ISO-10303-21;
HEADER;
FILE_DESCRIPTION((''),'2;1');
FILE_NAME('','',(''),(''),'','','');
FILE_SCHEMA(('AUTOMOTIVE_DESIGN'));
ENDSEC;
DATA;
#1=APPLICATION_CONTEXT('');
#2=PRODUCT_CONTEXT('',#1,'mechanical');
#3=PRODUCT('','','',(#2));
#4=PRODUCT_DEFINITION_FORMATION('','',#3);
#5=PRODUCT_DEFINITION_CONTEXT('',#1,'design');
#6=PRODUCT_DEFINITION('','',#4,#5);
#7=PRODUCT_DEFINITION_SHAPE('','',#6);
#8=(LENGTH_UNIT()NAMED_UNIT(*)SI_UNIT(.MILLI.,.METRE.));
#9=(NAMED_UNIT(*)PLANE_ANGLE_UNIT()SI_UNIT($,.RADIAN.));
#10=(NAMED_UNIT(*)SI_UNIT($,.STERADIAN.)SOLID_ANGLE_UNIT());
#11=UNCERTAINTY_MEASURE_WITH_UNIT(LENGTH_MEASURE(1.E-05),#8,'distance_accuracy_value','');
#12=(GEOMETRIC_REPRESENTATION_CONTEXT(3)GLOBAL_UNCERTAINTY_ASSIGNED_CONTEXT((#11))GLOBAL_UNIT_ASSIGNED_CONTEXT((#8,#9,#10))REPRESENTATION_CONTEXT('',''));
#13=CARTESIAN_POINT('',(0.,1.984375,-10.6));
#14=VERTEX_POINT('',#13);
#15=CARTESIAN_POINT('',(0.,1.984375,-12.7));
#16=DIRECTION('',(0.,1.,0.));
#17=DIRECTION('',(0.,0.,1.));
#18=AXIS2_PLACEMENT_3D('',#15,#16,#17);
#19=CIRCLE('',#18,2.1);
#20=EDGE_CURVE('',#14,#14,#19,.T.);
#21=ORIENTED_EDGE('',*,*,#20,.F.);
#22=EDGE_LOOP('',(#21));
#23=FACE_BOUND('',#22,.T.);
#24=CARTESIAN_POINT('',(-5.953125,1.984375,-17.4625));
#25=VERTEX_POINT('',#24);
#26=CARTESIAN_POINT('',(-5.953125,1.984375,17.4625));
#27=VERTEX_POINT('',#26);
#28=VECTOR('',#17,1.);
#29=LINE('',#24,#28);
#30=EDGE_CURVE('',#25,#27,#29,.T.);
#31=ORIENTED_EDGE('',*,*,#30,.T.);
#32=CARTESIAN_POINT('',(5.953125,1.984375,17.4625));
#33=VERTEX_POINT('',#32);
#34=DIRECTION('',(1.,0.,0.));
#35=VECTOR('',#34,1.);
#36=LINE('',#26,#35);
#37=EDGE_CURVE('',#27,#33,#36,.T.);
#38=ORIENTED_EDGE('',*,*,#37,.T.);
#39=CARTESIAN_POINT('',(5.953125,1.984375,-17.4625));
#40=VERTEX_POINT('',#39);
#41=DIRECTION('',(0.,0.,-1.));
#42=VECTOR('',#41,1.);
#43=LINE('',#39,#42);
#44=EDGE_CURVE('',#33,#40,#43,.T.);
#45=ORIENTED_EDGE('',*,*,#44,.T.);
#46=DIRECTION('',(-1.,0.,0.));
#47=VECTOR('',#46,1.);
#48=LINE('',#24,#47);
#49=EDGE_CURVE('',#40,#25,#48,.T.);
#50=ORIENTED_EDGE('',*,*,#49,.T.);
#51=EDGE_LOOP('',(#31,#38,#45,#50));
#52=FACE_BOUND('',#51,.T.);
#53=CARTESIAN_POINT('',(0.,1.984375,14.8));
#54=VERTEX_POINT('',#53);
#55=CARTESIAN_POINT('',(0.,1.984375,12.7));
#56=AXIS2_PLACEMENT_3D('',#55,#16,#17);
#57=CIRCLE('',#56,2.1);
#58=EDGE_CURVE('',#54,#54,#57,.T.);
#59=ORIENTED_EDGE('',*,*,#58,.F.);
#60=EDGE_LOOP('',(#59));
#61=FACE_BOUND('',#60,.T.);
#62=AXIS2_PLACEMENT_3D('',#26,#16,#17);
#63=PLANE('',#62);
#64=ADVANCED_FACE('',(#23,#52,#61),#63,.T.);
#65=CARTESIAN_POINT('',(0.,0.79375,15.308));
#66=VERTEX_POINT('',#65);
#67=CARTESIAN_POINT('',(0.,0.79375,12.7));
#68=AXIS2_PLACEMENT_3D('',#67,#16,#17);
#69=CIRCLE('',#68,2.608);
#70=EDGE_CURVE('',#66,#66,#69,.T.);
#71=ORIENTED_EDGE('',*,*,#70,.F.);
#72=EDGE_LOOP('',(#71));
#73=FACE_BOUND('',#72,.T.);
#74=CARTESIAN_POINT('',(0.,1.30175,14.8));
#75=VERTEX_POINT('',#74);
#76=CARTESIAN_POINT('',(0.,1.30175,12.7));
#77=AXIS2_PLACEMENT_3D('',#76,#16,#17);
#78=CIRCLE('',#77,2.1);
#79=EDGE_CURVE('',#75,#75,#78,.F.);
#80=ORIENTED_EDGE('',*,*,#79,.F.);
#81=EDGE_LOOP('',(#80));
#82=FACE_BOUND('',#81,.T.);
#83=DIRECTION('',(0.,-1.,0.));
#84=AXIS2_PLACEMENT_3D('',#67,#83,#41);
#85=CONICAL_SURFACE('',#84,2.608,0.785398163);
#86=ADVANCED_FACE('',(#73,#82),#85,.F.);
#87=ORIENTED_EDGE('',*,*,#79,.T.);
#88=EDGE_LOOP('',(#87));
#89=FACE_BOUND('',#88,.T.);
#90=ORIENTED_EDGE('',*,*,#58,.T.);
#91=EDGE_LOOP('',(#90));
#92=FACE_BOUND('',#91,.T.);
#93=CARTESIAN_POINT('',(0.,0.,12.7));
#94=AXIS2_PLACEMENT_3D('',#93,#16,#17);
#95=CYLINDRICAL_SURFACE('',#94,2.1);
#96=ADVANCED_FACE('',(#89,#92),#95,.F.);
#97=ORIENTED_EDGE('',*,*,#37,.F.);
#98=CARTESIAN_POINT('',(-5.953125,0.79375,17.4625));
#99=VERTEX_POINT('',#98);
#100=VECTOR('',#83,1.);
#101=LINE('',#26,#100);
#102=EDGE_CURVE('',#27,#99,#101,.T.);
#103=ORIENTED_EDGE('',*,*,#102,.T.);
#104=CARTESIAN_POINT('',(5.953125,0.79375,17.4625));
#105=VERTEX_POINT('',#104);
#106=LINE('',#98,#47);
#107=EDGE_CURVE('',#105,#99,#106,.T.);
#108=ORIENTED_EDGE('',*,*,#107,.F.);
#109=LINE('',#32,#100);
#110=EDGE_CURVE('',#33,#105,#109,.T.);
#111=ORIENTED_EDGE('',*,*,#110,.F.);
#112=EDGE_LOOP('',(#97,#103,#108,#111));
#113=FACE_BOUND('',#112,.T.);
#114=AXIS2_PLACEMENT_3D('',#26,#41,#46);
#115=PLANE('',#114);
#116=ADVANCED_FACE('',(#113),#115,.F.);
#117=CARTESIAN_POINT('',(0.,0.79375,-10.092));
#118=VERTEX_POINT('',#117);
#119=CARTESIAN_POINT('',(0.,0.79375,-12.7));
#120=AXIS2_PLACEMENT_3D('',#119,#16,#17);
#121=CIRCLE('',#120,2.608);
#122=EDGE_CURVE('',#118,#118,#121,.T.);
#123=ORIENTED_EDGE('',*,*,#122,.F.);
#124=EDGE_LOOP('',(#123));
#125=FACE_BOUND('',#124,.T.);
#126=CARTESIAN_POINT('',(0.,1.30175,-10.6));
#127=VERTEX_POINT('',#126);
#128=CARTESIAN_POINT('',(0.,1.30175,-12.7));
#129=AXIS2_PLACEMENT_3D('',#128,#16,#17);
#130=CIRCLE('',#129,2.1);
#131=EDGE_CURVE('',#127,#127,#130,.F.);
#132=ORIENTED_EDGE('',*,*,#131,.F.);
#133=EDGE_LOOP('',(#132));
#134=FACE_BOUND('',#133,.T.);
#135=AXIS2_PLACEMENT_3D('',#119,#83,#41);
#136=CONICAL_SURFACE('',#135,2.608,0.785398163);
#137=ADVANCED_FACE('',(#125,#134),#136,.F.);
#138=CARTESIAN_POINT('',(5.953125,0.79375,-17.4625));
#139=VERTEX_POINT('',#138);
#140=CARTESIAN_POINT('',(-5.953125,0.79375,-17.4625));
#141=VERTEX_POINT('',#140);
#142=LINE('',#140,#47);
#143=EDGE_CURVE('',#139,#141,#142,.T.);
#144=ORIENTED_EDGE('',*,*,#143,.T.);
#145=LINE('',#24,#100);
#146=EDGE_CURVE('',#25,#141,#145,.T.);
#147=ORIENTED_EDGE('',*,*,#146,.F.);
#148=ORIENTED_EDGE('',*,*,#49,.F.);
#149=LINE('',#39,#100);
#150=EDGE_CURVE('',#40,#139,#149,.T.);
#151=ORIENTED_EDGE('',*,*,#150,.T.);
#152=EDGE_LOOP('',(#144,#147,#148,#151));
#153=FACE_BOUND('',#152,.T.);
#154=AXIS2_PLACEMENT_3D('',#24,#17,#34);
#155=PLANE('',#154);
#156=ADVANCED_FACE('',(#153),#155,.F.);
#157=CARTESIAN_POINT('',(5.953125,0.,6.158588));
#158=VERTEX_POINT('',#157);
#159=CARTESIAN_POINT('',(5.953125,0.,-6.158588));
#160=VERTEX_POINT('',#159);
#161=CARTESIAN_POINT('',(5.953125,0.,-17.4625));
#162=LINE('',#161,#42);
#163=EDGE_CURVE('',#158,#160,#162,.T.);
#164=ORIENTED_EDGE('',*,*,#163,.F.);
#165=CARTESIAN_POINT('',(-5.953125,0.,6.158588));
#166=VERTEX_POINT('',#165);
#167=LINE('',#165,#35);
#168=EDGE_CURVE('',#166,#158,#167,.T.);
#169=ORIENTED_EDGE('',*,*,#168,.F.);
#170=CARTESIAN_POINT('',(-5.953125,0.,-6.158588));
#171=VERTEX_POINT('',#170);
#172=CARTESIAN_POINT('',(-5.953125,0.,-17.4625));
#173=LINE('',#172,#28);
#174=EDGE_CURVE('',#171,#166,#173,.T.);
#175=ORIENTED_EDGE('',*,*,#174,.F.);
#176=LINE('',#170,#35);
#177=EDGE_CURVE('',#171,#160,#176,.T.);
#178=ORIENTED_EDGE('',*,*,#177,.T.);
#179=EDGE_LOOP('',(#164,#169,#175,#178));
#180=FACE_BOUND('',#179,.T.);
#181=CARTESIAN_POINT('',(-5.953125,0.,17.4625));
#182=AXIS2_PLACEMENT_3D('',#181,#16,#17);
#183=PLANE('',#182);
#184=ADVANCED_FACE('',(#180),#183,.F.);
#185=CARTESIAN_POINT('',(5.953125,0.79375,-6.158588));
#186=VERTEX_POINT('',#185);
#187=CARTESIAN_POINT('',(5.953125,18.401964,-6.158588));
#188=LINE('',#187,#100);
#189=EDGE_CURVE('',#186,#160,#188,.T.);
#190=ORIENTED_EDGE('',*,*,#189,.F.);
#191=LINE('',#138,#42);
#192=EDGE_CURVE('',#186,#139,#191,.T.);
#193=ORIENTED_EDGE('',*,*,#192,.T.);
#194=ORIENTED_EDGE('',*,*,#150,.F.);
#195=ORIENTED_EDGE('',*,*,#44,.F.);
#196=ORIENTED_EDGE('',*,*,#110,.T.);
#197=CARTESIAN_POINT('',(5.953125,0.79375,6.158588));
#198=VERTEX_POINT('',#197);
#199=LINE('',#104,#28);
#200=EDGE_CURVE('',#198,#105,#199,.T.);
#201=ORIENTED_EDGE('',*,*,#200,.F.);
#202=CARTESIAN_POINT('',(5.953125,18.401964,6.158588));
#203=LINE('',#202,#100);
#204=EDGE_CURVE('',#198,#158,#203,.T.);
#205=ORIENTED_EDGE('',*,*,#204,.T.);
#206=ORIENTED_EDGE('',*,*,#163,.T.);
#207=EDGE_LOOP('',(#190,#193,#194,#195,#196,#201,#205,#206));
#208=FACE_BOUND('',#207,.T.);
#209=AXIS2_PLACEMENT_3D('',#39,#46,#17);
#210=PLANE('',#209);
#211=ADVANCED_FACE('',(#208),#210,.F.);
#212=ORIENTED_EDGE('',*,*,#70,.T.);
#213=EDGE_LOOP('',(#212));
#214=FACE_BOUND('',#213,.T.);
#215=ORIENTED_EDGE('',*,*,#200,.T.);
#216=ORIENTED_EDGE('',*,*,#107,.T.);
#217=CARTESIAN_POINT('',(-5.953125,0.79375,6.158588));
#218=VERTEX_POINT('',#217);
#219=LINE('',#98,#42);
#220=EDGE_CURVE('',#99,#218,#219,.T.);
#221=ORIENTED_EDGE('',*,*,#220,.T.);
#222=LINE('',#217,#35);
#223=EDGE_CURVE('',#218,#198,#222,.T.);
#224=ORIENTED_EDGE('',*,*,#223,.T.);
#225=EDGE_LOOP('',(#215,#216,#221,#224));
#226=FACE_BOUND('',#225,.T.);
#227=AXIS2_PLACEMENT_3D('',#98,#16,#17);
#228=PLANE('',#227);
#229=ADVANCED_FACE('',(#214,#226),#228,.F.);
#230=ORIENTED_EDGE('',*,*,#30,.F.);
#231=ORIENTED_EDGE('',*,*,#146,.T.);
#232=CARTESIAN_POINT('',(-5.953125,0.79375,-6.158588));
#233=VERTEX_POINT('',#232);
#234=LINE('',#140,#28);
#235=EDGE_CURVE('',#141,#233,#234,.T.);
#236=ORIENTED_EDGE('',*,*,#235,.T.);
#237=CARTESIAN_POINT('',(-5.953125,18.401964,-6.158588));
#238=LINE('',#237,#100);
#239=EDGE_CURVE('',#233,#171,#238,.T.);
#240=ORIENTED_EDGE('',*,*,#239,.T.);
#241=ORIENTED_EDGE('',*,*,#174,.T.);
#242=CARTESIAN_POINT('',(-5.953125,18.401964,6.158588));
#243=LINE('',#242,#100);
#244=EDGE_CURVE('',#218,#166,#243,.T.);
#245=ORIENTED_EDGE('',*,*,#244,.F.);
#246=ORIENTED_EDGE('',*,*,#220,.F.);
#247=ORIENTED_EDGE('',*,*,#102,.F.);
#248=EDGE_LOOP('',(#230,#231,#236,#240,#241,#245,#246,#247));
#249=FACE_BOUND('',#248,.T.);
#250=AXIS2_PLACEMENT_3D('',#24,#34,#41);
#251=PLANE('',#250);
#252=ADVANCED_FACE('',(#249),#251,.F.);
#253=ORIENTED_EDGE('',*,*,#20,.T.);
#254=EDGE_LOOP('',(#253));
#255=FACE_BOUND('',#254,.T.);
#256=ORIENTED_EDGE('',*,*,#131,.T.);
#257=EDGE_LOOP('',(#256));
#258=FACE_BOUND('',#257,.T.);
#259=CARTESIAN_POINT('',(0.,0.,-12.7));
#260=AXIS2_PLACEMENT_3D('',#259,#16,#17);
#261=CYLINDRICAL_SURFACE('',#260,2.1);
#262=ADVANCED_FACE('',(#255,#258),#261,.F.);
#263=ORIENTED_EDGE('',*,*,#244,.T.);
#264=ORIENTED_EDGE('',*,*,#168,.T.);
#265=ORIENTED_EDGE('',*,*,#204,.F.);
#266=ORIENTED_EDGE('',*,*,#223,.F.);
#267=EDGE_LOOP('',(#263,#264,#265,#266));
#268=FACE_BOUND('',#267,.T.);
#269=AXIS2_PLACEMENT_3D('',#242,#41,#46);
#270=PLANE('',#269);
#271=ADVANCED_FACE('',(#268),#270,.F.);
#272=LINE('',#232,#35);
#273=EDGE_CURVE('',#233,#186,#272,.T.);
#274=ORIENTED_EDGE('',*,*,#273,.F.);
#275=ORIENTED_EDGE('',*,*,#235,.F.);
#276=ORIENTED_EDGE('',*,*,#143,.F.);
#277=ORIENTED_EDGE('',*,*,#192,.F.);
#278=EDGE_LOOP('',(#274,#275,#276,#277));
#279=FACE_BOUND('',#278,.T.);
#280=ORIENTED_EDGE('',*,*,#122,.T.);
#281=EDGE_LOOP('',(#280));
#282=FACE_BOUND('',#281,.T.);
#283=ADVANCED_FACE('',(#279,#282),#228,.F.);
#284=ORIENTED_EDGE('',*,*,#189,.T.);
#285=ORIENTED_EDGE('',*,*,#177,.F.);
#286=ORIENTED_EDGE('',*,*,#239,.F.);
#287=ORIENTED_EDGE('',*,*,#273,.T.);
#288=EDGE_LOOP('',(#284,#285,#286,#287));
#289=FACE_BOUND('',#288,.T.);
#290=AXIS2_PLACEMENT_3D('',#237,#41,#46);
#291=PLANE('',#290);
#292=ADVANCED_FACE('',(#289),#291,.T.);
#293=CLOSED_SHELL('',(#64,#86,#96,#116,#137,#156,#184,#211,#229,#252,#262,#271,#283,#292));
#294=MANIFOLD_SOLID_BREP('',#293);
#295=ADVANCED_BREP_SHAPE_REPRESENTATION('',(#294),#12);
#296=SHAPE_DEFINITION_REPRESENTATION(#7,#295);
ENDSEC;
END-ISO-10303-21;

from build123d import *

# Parameters (mm, degrees)
SKETCH1_W      = 11.90625
SKETCH1_H      = 34.925
EXTRUDE1_DEPTH = 1.984375
SKETCH4_W      = 11.90625
SKETCH4_H      = 11.303912273
EXTRUDE3_DEPTH = 0.79375
SKETCH2_R      = 2.1
EXTRUDE2_DEPTH = 1.984375
CHAMFER1_SIZE  = 0.508


with BuildPart() as part:
    # Sketch1 → Extrude1 (new body)
    with BuildSketch(Plane(origin=(0, 0, 0), x_dir=(1, 0, 0), z_dir=(0, 1, 0))):
        Rectangle(SKETCH1_W, SKETCH1_H)
    extrude(amount=EXTRUDE1_DEPTH)

    # Sketch4 → Extrude3 (cut)
    with BuildSketch(Plane.XZ):
        with Locations((0, 11.810543864)):
            Rectangle(SKETCH4_W, SKETCH4_H)
    extrude3 = extrude(amount=-EXTRUDE3_DEPTH, mode=Mode.SUBTRACT)

    # Mirror1: Extrude3 across plane
    add(extrude3.mirror(Plane.XY), mode=Mode.SUBTRACT)

    # Sketch2 → Extrude2 (cut)
    with BuildSketch(Plane(origin=(0, 1.984375, 0), x_dir=(1, 0, 0), z_dir=(0, 1, 0))):
        with Locations(Location((0, 12.7, 0), (0, 0, 270))):
            Circle(SKETCH2_R)
        with Locations(Location((0, -12.7, 0), (0, 0, 270))):
            Circle(SKETCH2_R)
    extrude(amount=-EXTRUDE2_DEPTH, mode=Mode.SUBTRACT)

    # Chamfer1
    chamfer1_edges = [part.edges().sort_by_distance(p)[0] for p in [
        (0, 0.79375, -14.8),
        (0, 0.79375, 10.6),
    ]]
    chamfer(chamfer1_edges, length=CHAMFER1_SIZE)


solid = part.part
